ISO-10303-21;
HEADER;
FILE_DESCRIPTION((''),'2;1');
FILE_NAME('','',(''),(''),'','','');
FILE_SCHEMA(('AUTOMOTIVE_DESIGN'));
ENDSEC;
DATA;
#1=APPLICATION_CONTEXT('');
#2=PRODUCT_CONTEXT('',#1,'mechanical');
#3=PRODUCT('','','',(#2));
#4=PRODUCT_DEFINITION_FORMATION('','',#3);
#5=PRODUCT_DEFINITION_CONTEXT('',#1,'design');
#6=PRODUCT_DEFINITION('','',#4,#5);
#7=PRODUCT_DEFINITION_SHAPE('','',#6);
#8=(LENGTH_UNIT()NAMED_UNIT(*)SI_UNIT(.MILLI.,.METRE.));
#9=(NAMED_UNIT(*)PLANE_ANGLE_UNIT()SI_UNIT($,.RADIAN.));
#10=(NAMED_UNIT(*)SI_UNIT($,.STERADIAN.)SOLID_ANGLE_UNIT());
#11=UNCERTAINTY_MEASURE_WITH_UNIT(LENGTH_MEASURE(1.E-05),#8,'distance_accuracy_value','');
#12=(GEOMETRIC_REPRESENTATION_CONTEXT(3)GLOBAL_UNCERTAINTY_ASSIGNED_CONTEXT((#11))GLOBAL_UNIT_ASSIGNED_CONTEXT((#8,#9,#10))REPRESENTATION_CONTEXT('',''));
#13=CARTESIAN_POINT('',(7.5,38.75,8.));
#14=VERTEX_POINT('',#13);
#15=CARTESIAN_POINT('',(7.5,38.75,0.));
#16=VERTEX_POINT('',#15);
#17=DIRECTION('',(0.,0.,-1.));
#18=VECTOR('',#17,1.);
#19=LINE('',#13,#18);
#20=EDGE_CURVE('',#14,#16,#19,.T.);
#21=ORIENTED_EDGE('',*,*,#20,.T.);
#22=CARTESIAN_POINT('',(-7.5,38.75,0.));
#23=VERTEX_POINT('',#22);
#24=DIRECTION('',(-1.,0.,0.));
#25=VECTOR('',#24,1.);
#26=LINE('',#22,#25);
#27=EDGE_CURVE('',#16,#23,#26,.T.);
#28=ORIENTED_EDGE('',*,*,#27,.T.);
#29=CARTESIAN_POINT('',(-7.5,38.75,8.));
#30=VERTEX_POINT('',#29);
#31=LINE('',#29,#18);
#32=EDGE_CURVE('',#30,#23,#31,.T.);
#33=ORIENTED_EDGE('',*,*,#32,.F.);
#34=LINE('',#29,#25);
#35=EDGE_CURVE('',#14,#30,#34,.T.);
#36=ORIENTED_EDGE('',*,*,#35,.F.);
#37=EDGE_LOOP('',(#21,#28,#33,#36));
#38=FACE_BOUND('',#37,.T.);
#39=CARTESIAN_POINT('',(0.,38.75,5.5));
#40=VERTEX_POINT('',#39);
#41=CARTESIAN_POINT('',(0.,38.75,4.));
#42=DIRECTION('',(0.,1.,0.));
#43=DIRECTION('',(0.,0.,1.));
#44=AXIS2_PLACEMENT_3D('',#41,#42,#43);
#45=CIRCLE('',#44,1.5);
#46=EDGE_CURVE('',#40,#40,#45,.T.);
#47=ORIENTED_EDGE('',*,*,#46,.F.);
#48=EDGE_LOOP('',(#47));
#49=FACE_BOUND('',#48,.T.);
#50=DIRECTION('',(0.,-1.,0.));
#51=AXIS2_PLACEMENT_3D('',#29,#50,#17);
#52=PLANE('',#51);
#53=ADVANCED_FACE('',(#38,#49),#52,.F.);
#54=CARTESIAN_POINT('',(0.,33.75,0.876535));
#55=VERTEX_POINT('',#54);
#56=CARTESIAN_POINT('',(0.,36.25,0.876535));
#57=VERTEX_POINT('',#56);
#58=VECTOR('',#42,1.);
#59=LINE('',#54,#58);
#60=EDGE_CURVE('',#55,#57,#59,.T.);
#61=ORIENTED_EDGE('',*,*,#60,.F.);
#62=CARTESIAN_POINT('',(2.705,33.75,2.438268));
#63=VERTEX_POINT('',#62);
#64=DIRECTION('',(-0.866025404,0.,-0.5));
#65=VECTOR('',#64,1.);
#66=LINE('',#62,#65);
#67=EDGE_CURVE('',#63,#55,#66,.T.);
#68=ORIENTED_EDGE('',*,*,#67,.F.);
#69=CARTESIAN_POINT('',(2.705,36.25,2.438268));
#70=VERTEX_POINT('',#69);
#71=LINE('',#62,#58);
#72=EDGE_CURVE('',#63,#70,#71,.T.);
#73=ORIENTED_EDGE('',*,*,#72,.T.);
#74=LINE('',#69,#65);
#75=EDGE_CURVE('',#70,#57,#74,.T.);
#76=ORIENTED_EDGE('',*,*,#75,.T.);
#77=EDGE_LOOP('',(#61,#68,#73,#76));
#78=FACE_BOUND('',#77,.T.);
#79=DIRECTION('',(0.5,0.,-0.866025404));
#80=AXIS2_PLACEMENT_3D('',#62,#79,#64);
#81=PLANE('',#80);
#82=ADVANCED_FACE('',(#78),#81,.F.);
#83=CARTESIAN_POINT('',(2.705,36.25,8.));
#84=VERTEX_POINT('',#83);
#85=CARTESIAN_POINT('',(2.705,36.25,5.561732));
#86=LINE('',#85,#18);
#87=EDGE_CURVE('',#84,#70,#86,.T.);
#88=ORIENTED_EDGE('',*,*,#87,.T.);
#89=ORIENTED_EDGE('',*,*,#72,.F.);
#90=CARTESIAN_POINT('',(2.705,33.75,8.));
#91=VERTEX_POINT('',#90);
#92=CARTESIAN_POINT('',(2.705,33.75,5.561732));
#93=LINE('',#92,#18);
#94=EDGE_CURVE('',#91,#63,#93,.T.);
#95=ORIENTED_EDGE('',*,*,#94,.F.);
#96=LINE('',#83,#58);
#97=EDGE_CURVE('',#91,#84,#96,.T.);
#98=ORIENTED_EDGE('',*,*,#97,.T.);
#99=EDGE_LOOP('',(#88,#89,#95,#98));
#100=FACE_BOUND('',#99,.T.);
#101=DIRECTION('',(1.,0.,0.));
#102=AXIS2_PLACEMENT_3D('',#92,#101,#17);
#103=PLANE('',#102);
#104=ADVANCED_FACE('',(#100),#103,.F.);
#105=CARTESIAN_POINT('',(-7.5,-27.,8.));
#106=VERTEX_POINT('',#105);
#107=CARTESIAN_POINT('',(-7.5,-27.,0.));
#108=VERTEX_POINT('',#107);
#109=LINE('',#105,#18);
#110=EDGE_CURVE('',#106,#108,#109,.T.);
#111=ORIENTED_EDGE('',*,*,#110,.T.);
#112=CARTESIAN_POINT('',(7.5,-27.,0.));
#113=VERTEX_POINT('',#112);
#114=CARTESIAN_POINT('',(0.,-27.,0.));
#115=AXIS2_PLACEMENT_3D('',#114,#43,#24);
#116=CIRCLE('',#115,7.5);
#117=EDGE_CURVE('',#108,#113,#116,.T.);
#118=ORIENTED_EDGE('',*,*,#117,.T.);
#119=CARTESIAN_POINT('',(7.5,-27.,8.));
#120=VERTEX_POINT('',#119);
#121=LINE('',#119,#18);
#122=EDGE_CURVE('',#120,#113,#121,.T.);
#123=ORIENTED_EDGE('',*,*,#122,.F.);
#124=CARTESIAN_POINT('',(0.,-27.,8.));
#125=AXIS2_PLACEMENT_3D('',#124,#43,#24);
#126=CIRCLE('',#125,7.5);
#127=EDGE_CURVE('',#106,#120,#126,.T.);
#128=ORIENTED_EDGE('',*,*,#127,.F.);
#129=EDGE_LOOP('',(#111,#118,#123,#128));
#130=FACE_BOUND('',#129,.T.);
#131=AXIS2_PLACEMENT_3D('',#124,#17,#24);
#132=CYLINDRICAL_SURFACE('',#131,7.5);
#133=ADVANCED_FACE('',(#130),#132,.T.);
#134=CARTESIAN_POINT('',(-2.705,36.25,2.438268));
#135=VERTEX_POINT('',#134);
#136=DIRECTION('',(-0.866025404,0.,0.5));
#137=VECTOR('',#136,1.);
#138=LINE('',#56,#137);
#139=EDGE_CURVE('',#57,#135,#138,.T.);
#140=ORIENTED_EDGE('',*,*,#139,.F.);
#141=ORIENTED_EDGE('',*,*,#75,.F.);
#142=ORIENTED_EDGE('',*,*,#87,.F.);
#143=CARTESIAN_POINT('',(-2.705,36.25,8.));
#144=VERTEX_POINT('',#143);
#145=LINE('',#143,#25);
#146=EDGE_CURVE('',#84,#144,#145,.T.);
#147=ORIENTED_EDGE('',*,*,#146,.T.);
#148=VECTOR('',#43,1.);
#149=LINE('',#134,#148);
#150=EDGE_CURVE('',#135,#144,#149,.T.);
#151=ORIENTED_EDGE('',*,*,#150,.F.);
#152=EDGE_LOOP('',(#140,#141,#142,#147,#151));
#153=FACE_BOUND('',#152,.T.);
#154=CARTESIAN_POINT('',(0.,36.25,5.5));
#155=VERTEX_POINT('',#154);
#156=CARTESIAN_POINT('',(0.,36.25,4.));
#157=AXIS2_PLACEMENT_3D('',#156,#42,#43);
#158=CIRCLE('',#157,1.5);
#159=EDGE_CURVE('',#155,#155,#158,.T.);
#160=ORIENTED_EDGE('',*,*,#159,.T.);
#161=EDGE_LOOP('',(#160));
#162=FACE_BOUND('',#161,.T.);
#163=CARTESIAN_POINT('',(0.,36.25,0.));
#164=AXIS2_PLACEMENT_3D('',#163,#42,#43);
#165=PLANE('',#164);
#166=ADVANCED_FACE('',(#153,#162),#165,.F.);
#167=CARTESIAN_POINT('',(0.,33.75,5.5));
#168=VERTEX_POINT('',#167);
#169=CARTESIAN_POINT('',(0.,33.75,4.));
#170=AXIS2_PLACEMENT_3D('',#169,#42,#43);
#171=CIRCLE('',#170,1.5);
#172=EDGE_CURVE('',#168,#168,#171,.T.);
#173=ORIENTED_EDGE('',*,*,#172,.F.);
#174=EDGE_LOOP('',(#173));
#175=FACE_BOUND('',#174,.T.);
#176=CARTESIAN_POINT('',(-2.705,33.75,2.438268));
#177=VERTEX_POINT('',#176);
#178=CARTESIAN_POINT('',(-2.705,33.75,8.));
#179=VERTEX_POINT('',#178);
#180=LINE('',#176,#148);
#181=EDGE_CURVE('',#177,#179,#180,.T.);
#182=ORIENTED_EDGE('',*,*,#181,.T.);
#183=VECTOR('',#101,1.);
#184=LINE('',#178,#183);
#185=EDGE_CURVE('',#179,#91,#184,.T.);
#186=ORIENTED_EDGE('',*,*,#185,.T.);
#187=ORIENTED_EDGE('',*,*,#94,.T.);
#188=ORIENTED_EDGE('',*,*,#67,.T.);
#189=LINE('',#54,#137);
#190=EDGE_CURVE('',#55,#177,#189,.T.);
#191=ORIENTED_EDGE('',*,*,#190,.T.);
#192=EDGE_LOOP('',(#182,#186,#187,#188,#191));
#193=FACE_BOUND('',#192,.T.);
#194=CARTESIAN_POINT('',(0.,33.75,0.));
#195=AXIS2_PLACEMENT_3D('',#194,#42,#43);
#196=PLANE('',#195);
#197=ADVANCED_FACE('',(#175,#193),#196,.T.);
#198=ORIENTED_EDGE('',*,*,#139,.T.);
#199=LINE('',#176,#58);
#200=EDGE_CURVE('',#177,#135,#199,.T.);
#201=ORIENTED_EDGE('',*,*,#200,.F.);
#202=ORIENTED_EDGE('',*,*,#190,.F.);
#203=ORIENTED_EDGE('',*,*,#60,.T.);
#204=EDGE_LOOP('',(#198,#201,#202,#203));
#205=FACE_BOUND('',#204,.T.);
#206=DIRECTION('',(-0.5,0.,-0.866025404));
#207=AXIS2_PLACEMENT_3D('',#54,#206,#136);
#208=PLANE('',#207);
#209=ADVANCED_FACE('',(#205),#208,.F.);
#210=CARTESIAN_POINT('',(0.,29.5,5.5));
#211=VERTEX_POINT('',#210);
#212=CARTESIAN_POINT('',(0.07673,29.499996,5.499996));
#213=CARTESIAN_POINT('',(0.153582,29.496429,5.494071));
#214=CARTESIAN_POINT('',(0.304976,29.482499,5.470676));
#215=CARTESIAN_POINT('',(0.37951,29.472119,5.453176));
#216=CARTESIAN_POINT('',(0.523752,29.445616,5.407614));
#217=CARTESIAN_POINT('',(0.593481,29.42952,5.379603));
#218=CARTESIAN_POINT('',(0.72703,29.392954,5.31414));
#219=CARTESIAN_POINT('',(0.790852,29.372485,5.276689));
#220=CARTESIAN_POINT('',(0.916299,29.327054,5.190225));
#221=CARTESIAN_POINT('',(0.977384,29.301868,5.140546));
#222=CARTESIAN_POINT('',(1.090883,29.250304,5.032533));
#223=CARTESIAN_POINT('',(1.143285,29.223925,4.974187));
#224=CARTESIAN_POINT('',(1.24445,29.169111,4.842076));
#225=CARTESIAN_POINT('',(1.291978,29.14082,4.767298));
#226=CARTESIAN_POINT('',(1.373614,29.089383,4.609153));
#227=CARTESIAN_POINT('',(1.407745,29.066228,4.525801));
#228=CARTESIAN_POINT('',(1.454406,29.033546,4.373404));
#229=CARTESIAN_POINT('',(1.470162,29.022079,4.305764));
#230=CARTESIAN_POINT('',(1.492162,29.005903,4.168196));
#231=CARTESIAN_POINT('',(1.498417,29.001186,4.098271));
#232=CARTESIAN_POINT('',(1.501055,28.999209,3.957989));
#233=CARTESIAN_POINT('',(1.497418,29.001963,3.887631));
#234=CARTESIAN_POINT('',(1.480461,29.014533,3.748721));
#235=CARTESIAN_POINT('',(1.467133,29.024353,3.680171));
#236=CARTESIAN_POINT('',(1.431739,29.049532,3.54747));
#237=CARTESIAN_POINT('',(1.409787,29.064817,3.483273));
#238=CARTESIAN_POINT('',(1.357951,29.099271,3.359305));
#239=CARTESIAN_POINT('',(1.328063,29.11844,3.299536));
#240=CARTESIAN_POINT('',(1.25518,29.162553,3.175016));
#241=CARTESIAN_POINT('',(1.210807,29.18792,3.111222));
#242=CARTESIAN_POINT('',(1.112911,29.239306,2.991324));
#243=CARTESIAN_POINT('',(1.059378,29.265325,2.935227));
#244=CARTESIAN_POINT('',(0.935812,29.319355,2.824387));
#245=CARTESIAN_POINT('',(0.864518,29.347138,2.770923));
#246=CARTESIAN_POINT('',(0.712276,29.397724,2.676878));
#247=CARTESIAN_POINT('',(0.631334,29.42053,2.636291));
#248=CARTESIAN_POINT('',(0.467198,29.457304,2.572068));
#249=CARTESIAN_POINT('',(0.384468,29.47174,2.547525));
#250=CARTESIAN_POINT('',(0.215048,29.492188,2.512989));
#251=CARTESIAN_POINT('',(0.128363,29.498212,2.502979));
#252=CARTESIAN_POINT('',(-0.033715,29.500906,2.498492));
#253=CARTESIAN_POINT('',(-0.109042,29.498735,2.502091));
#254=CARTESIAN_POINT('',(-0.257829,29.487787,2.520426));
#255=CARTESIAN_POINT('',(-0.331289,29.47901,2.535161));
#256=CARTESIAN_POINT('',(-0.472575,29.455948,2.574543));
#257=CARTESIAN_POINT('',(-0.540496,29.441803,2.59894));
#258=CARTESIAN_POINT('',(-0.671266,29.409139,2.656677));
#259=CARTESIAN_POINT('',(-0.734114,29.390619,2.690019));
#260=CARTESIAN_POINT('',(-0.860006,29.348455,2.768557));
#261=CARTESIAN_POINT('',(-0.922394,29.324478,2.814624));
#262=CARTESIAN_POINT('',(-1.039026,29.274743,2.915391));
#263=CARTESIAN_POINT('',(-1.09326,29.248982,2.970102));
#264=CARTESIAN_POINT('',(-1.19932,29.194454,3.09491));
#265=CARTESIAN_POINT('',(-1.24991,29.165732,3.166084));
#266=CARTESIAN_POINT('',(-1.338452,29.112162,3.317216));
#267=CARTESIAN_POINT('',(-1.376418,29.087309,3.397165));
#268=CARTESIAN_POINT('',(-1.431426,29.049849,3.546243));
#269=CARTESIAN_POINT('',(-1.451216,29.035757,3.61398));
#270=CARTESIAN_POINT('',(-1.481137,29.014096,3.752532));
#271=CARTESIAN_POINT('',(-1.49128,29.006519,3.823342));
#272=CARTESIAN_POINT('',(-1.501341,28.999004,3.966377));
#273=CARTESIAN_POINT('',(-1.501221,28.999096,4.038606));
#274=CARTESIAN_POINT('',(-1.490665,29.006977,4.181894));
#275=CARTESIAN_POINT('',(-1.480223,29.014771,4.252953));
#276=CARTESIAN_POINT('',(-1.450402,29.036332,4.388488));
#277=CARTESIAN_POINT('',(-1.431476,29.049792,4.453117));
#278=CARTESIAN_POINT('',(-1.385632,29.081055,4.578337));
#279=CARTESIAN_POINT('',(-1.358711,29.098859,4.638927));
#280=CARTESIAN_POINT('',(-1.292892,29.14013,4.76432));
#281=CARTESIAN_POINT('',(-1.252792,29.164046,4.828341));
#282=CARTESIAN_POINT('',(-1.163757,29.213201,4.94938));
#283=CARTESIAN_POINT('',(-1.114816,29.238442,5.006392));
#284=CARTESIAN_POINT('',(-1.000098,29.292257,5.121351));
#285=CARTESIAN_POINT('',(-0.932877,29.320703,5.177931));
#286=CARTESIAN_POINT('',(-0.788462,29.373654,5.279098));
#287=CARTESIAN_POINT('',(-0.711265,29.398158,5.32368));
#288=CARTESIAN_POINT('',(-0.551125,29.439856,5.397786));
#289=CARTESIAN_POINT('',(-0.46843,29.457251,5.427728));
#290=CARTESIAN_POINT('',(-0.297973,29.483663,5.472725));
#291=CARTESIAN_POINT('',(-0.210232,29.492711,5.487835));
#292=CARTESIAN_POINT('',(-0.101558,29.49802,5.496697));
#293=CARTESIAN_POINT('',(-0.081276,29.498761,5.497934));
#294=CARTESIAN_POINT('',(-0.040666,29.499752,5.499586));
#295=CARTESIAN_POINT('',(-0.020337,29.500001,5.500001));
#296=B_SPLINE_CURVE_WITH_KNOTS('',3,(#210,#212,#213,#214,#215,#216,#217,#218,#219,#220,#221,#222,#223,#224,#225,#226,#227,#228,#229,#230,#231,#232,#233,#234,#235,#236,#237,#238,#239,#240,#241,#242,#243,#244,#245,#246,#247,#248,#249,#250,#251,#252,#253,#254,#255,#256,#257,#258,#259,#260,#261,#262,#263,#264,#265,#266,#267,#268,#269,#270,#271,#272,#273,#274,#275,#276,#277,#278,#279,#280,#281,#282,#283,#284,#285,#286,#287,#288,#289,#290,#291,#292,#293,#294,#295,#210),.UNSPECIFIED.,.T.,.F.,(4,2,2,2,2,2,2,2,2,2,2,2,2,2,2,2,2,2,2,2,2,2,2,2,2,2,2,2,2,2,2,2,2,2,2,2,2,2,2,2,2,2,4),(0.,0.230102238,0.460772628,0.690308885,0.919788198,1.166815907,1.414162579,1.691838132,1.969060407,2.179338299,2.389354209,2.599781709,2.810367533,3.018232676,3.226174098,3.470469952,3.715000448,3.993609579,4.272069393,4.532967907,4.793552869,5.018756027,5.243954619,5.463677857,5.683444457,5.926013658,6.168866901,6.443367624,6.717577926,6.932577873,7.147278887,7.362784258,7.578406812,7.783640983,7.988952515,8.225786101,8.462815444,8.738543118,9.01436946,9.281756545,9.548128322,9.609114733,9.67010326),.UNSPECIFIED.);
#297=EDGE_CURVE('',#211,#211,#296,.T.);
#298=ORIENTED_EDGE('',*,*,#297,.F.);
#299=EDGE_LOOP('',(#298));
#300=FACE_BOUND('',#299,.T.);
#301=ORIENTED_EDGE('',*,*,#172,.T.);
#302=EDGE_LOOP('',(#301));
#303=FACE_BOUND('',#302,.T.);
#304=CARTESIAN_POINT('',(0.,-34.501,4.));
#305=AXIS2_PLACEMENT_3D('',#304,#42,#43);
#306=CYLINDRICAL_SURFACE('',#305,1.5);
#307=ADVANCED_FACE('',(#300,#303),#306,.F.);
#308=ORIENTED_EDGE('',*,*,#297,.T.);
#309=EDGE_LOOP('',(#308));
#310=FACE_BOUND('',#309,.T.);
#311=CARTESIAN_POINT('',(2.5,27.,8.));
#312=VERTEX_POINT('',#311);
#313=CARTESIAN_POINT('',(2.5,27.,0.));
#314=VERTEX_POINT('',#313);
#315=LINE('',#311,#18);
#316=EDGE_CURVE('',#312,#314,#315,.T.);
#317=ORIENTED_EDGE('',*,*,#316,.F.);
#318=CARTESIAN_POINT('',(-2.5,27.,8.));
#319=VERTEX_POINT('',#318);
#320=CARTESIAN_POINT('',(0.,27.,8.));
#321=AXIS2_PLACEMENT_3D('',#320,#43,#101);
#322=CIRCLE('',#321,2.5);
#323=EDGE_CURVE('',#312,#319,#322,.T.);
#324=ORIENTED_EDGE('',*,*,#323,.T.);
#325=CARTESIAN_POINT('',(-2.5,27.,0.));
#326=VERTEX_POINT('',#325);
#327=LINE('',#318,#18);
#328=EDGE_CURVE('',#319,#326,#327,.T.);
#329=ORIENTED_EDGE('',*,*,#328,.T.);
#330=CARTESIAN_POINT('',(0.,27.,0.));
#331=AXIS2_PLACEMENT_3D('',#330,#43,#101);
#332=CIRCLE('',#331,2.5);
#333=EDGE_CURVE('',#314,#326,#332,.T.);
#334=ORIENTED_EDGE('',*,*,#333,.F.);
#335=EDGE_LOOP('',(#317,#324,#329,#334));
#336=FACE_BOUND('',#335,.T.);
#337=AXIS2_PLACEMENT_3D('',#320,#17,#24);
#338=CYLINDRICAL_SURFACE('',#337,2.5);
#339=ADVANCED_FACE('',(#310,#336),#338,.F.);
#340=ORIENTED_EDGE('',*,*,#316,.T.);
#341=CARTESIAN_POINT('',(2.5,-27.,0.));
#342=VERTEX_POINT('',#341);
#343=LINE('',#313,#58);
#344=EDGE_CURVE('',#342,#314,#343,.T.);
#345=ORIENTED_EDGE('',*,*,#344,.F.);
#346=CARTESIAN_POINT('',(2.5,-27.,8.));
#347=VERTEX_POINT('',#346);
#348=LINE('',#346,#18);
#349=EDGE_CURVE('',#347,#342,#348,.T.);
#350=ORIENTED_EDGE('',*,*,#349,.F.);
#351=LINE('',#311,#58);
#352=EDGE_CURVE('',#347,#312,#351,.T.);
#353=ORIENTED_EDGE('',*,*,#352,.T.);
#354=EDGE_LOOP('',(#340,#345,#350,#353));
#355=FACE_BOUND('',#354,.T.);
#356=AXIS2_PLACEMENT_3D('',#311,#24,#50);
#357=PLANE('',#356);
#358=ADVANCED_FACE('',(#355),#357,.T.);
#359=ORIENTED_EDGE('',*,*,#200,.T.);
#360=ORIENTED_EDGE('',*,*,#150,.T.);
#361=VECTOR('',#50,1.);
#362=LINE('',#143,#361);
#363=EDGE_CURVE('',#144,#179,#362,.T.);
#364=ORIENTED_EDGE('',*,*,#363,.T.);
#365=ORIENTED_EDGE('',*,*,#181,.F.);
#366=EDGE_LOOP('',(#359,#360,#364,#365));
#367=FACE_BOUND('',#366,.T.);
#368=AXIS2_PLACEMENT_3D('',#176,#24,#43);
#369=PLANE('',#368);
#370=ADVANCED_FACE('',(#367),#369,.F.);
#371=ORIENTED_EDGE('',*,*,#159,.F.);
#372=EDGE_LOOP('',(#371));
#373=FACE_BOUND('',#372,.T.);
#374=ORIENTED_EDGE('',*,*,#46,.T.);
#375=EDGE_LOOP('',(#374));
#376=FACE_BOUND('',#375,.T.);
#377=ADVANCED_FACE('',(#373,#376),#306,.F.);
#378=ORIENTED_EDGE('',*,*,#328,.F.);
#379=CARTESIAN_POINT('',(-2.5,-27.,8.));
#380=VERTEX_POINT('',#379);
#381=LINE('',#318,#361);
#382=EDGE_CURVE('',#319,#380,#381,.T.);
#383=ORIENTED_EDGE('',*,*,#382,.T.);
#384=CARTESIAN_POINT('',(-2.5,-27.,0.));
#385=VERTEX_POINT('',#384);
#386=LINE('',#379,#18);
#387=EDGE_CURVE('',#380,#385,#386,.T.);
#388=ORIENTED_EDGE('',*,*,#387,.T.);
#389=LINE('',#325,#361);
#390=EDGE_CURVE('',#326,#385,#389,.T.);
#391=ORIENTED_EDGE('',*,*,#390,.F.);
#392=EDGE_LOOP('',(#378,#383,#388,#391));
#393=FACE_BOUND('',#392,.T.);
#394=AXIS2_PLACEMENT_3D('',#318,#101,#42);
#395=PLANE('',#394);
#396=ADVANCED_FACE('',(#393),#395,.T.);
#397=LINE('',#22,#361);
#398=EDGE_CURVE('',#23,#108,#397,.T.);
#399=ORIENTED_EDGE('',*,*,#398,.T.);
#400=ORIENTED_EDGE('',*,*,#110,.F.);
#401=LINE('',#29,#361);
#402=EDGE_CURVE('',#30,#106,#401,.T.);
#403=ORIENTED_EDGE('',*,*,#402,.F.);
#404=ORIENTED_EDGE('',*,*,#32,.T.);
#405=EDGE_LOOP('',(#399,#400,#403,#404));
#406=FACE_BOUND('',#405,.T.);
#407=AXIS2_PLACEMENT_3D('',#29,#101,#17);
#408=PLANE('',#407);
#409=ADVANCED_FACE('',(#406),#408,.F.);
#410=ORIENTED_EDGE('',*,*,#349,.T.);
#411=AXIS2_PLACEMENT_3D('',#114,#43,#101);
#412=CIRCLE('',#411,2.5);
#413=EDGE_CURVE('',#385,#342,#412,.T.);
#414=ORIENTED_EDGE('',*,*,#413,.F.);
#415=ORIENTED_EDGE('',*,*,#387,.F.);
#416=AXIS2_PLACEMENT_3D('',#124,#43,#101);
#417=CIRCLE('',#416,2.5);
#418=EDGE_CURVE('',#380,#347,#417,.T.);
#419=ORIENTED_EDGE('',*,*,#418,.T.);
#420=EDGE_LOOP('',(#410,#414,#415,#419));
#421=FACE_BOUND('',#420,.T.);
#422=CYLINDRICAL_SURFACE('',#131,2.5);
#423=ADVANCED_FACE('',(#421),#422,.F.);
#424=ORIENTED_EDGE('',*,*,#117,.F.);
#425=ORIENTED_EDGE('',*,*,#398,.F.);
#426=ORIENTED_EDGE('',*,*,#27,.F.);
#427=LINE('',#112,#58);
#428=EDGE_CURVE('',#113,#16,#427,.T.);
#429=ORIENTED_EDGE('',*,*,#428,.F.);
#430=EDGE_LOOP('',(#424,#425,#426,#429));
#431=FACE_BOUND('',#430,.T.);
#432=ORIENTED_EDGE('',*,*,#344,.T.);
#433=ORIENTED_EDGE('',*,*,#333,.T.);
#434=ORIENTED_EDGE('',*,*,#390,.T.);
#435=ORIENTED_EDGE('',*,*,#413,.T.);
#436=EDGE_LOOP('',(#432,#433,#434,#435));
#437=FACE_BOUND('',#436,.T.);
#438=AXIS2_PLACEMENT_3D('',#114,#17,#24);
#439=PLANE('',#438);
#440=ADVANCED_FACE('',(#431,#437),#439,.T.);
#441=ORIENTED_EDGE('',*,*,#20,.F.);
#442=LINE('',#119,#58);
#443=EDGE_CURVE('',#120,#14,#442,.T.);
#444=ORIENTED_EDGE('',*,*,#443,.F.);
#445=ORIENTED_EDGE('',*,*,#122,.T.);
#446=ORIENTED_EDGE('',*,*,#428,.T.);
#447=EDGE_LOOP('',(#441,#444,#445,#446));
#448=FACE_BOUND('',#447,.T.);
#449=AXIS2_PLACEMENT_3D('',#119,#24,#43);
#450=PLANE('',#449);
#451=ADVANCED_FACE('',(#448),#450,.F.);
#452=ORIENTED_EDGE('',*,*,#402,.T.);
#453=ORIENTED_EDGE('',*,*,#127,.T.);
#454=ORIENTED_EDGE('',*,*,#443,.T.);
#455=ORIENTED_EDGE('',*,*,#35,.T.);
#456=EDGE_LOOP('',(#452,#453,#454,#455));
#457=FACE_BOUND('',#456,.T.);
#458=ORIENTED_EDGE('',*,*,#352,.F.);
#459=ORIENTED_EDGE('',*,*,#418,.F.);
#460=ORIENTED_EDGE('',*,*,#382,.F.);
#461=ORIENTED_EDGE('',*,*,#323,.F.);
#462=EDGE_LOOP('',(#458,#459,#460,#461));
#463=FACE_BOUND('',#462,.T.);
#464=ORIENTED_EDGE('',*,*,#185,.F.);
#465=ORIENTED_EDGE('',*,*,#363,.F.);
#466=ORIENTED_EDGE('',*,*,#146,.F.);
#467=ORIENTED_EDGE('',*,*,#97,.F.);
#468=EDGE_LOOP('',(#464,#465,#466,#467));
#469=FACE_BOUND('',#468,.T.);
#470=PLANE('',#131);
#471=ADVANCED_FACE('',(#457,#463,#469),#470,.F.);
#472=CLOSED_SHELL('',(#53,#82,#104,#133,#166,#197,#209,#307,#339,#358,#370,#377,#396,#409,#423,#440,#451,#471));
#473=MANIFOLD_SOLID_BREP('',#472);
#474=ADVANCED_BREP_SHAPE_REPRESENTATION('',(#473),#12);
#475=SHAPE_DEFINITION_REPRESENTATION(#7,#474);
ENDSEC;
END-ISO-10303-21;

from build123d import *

# Parameters (mm, degrees)
BOSS_EXTRUDE1_DEPTH     = 8
CUT_EXTRUDE2_START      = -2.5
CUT_EXTRUDE2_DEPTH      = 2.5
SKETCH4_W               = 5.41
SKETCH4_H               = 2.5
CUT_EXTRUDE3_DEPTH      = 4
CUT_EXTRUDE4_REACH      = 76.066
CUT_EXTRUDE4_END_RADIUS = 2.5
SKETCH5_R               = 1.5


with BuildPart() as part:
    # Sketch1 → Boss-Extrude1 (new body)
    with BuildSketch(Plane.XY):
        with BuildLine():
            Line((-7.5, 38.75), (7.5, 38.75))
            Line((7.5, 38.75), (7.5, -27))
            ThreePointArc((7.5, -27), (0, -34.5), (-7.5, -27))
            Line((-7.5, -27), (-7.5, 38.75))
        make_face()
        with BuildLine():
            Line((2.5, 27), (2.5, -27))
            ThreePointArc((2.5, -27), (0, -29.5), (-2.5, -27))
            Line((-2.5, -27), (-2.5, 27))
            ThreePointArc((-2.5, 27), (0, 29.5), (2.5, 27))
        make_face(mode=Mode.SUBTRACT)
    extrude(amount=BOSS_EXTRUDE1_DEPTH)

    # Sketch3 → Cut-Extrude2 (cut)
    with BuildSketch(Plane(origin=(0, 38.75, 0), x_dir=(1, 0, 0), z_dir=(0, 1, 0)).offset(CUT_EXTRUDE2_START)):
        Polygon((0, -7.123464956), (2.705, -5.561732478), (2.705, -2.438267522), (0, -0.876535044), (-2.705, -2.438267522), (-2.705, -5.561732478), align=None)
    extrude(amount=-CUT_EXTRUDE2_DEPTH, mode=Mode.SUBTRACT)

    # Sketch4 → Cut-Extrude3 (cut)
    with BuildSketch(Plane.XY.offset(8)):
        with Locations((0, 35)):
            Rectangle(SKETCH4_W, SKETCH4_H)
    extrude(amount=-CUT_EXTRUDE3_DEPTH, mode=Mode.SUBTRACT)

    # Cut-Extrude4: up to this cylinder (the profile starts outside it)
    cut_extrude4_end = Plane(origin=(0, 27, 4), z_dir=(0, 0, -1)) * Cylinder(CUT_EXTRUDE4_END_RADIUS, 158.132, mode=Mode.PRIVATE)
    # Sketch5 → Cut-Extrude4 (cut, up to the surface)
    with BuildSketch(Plane(origin=(0, 38.75, 0), x_dir=(1, 0, 0), z_dir=(0, 1, 0)), mode=Mode.PRIVATE) as cut_extrude4_sk1:
        with Locations(Location((0, -4, 0), (0, 0, 270))):
            Circle(SKETCH5_R)
    cut_extrude4_tool1 = extrude(cut_extrude4_sk1.sketch, amount=-CUT_EXTRUDE4_REACH, mode=Mode.PRIVATE) - cut_extrude4_end
    add(cut_extrude4_tool1.solids().sort_by_distance((0, 38.75, 4))[0], mode=Mode.SUBTRACT)


solid = part.part
